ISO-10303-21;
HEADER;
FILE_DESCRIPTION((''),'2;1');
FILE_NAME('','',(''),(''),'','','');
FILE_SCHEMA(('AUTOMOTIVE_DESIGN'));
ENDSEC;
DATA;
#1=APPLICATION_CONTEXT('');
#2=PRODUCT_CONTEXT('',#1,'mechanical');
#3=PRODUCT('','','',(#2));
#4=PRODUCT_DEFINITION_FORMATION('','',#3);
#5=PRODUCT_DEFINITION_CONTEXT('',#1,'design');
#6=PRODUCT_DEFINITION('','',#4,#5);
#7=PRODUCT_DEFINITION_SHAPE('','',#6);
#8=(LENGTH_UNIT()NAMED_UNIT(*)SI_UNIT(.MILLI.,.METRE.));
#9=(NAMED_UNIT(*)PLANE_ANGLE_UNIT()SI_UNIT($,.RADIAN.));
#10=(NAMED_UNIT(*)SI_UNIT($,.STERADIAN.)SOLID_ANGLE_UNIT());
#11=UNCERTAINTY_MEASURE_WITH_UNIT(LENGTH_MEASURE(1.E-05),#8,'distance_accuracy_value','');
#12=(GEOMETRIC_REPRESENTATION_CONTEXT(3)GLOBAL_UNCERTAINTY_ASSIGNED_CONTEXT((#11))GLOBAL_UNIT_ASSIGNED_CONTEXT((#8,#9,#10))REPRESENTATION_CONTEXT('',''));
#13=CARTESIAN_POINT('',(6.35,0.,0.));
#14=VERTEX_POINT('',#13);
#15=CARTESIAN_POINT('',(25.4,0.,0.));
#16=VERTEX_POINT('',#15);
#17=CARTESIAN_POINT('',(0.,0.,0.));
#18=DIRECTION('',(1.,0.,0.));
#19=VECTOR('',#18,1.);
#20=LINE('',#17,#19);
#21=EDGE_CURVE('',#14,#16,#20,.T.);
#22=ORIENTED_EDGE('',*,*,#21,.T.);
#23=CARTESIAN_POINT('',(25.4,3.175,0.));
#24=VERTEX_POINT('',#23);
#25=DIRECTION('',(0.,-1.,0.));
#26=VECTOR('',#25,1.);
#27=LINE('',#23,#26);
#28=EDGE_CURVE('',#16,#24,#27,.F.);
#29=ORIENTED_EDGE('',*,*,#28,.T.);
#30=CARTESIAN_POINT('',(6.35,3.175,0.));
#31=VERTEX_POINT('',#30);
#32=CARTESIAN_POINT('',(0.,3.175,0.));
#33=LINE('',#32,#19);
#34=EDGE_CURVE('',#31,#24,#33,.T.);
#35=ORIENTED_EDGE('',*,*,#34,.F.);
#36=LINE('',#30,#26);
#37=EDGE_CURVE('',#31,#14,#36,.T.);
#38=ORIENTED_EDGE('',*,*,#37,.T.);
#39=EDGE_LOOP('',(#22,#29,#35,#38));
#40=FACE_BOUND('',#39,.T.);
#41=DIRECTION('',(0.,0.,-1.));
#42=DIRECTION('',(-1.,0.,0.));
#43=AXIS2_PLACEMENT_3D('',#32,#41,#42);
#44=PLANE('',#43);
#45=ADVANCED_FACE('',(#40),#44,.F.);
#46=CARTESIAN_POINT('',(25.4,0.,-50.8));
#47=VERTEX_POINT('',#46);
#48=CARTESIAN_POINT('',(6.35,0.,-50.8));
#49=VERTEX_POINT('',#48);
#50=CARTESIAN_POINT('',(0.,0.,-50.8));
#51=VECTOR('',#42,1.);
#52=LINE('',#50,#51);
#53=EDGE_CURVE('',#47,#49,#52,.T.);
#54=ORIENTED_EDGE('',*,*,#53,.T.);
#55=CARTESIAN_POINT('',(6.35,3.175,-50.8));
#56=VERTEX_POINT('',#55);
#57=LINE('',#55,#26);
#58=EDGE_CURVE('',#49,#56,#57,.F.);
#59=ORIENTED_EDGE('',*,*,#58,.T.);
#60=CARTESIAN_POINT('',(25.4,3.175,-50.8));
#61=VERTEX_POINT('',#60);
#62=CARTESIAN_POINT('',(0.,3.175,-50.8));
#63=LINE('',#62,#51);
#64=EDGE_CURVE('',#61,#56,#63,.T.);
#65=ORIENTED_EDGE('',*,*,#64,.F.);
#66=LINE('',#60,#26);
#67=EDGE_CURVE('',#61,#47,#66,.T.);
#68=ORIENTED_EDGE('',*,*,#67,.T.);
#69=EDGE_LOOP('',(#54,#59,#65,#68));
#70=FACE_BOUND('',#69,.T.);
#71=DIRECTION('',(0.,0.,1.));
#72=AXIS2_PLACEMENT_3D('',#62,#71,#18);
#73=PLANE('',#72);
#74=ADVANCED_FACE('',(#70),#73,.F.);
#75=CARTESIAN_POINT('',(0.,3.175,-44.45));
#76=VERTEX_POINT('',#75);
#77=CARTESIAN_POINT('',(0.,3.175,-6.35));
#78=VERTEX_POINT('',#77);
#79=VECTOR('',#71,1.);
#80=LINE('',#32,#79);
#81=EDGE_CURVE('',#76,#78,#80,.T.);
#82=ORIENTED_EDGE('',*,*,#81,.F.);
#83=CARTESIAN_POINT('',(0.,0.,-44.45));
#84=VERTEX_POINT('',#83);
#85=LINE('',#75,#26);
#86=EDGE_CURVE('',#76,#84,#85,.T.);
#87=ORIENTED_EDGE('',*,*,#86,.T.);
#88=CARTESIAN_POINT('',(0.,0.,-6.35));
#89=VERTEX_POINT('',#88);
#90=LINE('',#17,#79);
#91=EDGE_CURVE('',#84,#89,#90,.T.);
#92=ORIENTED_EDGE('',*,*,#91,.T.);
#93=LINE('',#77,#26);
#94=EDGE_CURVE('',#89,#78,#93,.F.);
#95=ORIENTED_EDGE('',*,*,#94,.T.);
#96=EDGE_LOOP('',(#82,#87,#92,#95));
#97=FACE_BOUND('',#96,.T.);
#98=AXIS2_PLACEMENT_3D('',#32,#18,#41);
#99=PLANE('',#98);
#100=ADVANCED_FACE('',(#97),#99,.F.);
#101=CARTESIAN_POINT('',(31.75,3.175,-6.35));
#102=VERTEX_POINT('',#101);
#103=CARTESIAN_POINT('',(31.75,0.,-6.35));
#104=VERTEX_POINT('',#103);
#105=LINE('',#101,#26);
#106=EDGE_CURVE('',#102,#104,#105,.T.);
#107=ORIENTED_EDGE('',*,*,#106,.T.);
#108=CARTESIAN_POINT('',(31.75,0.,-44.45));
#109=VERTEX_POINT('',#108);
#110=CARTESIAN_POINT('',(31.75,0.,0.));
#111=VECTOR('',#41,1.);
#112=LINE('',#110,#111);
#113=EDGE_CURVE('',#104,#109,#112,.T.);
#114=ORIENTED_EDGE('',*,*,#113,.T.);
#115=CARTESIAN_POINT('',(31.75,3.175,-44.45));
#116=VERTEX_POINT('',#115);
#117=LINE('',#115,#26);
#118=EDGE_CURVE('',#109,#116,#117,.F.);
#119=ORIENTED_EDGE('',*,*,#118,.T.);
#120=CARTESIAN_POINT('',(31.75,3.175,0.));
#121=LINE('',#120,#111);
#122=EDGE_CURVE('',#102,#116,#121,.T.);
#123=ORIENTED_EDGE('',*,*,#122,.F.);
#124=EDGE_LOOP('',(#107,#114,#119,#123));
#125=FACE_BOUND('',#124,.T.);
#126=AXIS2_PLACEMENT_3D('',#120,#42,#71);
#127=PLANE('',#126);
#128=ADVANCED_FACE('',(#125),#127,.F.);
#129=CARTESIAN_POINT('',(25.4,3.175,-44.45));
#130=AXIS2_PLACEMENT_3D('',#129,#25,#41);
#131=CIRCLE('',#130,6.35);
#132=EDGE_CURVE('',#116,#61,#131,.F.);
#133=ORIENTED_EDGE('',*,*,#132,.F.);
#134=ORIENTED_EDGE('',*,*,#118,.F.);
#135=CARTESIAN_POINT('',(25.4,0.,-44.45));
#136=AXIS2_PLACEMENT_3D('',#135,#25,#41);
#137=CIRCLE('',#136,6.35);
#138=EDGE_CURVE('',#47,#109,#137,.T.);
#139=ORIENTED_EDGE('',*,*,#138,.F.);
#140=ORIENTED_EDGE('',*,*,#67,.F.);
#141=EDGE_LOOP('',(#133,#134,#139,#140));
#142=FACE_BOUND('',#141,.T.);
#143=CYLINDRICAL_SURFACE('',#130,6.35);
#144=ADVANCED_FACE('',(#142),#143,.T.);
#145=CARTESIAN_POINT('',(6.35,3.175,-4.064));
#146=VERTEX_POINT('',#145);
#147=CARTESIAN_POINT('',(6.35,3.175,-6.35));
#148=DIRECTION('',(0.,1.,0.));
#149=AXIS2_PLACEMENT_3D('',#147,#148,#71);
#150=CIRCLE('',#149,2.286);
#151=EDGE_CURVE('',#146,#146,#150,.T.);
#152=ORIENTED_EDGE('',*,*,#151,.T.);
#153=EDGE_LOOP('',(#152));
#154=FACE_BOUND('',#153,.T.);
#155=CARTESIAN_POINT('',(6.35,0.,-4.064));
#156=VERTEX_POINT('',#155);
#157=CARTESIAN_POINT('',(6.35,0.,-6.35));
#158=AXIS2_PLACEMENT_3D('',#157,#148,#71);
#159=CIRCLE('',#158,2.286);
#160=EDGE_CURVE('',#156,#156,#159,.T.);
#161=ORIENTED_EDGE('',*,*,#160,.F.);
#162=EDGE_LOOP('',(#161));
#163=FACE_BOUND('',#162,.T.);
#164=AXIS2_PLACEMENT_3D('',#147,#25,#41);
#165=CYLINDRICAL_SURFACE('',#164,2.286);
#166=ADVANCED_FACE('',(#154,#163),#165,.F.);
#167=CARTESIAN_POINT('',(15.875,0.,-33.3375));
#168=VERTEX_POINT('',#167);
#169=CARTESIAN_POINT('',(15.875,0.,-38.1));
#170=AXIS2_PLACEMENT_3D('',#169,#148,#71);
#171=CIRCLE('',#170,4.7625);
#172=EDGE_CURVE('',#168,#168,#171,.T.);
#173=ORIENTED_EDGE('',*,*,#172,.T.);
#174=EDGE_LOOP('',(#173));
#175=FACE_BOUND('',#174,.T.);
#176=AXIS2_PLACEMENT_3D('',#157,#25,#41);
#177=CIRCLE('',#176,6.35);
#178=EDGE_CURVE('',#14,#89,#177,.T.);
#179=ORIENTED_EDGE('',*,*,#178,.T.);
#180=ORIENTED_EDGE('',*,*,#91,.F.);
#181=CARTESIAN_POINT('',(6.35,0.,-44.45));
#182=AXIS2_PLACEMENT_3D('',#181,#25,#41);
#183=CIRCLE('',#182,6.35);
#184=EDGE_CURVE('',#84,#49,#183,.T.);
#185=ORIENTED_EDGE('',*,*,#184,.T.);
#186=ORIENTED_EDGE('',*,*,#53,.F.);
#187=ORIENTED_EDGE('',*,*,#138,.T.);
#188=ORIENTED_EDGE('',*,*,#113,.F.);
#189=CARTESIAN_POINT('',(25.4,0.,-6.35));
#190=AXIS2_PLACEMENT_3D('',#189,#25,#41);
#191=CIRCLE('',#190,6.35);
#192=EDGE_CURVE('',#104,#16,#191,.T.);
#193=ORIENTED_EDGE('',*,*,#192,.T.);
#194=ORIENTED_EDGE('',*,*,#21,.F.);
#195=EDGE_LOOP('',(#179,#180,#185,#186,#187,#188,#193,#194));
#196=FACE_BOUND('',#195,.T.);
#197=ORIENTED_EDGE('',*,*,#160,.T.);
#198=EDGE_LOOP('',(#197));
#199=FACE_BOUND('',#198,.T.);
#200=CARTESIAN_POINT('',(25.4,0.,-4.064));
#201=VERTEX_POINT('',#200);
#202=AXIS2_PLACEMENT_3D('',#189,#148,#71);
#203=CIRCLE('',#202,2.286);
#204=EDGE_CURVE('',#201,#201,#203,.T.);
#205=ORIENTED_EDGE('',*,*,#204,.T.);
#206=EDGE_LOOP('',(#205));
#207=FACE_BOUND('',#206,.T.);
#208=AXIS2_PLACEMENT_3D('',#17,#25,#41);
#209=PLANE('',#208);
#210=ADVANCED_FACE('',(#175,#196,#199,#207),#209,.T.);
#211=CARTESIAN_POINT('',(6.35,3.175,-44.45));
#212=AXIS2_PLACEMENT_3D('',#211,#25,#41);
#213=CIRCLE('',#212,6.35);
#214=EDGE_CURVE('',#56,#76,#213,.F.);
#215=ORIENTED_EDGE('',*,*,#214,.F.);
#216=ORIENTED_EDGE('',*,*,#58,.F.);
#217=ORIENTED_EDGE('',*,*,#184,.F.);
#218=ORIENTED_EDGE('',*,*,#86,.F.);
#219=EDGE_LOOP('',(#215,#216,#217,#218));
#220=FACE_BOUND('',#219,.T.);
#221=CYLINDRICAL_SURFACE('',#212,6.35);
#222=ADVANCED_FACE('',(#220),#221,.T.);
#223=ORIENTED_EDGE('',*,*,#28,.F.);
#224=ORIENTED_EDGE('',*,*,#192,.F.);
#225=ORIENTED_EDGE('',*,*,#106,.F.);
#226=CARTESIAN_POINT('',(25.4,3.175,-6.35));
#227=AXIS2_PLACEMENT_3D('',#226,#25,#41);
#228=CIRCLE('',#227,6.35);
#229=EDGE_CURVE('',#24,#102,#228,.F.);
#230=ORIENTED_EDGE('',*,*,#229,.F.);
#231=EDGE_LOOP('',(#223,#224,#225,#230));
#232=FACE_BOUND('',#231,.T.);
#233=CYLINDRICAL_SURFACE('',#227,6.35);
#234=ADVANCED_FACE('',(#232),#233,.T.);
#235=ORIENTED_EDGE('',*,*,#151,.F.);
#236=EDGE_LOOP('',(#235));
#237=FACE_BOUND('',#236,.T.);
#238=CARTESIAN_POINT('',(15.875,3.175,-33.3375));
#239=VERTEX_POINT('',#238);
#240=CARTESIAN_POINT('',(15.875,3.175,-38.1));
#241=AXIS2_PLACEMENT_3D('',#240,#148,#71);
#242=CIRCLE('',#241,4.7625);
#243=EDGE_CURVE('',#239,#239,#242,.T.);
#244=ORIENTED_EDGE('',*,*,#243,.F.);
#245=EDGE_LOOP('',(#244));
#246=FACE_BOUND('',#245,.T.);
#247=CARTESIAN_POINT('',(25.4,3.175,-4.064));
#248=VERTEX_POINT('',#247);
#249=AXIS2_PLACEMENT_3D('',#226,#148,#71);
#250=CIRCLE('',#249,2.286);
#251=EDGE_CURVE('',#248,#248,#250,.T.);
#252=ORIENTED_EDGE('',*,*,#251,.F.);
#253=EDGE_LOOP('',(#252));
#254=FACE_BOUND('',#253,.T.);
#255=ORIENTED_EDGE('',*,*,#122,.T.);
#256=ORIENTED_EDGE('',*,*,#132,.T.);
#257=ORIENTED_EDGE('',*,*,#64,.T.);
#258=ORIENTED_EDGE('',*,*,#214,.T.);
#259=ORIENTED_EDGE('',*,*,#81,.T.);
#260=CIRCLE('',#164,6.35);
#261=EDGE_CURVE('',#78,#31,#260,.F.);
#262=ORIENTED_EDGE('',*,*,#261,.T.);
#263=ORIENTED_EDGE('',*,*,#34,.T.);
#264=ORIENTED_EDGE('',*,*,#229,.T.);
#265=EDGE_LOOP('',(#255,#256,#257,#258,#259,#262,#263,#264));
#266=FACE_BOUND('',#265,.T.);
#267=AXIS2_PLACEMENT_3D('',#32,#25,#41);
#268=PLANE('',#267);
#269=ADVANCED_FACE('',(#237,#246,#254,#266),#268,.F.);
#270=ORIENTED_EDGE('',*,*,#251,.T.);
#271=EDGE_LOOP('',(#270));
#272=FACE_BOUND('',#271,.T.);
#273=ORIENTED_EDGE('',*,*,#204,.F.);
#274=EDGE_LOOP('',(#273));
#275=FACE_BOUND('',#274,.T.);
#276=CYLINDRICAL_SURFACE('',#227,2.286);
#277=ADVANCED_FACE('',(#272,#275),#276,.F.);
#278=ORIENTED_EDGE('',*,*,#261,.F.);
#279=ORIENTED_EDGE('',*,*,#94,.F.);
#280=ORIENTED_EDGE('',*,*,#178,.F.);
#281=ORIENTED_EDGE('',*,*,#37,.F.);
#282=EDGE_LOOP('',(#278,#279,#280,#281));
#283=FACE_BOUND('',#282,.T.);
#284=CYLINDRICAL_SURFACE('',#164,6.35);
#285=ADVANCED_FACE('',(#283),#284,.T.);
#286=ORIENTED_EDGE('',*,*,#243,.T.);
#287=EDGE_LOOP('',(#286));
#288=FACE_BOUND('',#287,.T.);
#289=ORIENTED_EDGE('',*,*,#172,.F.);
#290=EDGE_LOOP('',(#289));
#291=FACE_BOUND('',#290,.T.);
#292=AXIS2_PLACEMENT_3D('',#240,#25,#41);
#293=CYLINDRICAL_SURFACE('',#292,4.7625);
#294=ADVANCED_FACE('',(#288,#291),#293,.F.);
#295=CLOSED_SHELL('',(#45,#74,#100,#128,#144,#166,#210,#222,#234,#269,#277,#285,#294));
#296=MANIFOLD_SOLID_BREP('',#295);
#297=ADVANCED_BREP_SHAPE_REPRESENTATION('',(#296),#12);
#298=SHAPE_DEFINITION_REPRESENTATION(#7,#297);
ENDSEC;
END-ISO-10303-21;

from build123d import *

# Parameters (mm, degrees)
SKETCH1_W           = 31.75
SKETCH1_H           = 50.8
SKETCH1_R           = 4.7625
SKETCH1_R_2         = 2.286
BOSS_EXTRUDE1_DEPTH = 3.175
FILLET1_R           = 6.35


with BuildPart() as part:
    # Sketch1 → Boss-Extrude1 (new body)
    with BuildSketch(Plane(origin=(0, 0, 0), x_dir=(1, 0, 0), z_dir=(0, 1, 0))):
        with Locations((15.875, 25.4)):
            Rectangle(SKETCH1_W, SKETCH1_H)
        with Locations((15.875, 38.1)):
            Circle(SKETCH1_R, mode=Mode.SUBTRACT)
        with Locations((6.35, 6.35)):
            Circle(SKETCH1_R_2, mode=Mode.SUBTRACT)
        with Locations((25.4, 6.35)):
            Circle(SKETCH1_R_2, mode=Mode.SUBTRACT)
    extrude(amount=BOSS_EXTRUDE1_DEPTH)

    # Fillet1
    fillet1_edges = [part.edges().sort_by_distance(p)[0] for p in [
        (0, 1.5875, -50.8),
        (31.75, 1.5875, -50.8),
        (31.75, 1.5875, 0),
        (0, 1.5875, 0),
    ]]
    fillet(fillet1_edges, radius=FILLET1_R)


solid = part.part
